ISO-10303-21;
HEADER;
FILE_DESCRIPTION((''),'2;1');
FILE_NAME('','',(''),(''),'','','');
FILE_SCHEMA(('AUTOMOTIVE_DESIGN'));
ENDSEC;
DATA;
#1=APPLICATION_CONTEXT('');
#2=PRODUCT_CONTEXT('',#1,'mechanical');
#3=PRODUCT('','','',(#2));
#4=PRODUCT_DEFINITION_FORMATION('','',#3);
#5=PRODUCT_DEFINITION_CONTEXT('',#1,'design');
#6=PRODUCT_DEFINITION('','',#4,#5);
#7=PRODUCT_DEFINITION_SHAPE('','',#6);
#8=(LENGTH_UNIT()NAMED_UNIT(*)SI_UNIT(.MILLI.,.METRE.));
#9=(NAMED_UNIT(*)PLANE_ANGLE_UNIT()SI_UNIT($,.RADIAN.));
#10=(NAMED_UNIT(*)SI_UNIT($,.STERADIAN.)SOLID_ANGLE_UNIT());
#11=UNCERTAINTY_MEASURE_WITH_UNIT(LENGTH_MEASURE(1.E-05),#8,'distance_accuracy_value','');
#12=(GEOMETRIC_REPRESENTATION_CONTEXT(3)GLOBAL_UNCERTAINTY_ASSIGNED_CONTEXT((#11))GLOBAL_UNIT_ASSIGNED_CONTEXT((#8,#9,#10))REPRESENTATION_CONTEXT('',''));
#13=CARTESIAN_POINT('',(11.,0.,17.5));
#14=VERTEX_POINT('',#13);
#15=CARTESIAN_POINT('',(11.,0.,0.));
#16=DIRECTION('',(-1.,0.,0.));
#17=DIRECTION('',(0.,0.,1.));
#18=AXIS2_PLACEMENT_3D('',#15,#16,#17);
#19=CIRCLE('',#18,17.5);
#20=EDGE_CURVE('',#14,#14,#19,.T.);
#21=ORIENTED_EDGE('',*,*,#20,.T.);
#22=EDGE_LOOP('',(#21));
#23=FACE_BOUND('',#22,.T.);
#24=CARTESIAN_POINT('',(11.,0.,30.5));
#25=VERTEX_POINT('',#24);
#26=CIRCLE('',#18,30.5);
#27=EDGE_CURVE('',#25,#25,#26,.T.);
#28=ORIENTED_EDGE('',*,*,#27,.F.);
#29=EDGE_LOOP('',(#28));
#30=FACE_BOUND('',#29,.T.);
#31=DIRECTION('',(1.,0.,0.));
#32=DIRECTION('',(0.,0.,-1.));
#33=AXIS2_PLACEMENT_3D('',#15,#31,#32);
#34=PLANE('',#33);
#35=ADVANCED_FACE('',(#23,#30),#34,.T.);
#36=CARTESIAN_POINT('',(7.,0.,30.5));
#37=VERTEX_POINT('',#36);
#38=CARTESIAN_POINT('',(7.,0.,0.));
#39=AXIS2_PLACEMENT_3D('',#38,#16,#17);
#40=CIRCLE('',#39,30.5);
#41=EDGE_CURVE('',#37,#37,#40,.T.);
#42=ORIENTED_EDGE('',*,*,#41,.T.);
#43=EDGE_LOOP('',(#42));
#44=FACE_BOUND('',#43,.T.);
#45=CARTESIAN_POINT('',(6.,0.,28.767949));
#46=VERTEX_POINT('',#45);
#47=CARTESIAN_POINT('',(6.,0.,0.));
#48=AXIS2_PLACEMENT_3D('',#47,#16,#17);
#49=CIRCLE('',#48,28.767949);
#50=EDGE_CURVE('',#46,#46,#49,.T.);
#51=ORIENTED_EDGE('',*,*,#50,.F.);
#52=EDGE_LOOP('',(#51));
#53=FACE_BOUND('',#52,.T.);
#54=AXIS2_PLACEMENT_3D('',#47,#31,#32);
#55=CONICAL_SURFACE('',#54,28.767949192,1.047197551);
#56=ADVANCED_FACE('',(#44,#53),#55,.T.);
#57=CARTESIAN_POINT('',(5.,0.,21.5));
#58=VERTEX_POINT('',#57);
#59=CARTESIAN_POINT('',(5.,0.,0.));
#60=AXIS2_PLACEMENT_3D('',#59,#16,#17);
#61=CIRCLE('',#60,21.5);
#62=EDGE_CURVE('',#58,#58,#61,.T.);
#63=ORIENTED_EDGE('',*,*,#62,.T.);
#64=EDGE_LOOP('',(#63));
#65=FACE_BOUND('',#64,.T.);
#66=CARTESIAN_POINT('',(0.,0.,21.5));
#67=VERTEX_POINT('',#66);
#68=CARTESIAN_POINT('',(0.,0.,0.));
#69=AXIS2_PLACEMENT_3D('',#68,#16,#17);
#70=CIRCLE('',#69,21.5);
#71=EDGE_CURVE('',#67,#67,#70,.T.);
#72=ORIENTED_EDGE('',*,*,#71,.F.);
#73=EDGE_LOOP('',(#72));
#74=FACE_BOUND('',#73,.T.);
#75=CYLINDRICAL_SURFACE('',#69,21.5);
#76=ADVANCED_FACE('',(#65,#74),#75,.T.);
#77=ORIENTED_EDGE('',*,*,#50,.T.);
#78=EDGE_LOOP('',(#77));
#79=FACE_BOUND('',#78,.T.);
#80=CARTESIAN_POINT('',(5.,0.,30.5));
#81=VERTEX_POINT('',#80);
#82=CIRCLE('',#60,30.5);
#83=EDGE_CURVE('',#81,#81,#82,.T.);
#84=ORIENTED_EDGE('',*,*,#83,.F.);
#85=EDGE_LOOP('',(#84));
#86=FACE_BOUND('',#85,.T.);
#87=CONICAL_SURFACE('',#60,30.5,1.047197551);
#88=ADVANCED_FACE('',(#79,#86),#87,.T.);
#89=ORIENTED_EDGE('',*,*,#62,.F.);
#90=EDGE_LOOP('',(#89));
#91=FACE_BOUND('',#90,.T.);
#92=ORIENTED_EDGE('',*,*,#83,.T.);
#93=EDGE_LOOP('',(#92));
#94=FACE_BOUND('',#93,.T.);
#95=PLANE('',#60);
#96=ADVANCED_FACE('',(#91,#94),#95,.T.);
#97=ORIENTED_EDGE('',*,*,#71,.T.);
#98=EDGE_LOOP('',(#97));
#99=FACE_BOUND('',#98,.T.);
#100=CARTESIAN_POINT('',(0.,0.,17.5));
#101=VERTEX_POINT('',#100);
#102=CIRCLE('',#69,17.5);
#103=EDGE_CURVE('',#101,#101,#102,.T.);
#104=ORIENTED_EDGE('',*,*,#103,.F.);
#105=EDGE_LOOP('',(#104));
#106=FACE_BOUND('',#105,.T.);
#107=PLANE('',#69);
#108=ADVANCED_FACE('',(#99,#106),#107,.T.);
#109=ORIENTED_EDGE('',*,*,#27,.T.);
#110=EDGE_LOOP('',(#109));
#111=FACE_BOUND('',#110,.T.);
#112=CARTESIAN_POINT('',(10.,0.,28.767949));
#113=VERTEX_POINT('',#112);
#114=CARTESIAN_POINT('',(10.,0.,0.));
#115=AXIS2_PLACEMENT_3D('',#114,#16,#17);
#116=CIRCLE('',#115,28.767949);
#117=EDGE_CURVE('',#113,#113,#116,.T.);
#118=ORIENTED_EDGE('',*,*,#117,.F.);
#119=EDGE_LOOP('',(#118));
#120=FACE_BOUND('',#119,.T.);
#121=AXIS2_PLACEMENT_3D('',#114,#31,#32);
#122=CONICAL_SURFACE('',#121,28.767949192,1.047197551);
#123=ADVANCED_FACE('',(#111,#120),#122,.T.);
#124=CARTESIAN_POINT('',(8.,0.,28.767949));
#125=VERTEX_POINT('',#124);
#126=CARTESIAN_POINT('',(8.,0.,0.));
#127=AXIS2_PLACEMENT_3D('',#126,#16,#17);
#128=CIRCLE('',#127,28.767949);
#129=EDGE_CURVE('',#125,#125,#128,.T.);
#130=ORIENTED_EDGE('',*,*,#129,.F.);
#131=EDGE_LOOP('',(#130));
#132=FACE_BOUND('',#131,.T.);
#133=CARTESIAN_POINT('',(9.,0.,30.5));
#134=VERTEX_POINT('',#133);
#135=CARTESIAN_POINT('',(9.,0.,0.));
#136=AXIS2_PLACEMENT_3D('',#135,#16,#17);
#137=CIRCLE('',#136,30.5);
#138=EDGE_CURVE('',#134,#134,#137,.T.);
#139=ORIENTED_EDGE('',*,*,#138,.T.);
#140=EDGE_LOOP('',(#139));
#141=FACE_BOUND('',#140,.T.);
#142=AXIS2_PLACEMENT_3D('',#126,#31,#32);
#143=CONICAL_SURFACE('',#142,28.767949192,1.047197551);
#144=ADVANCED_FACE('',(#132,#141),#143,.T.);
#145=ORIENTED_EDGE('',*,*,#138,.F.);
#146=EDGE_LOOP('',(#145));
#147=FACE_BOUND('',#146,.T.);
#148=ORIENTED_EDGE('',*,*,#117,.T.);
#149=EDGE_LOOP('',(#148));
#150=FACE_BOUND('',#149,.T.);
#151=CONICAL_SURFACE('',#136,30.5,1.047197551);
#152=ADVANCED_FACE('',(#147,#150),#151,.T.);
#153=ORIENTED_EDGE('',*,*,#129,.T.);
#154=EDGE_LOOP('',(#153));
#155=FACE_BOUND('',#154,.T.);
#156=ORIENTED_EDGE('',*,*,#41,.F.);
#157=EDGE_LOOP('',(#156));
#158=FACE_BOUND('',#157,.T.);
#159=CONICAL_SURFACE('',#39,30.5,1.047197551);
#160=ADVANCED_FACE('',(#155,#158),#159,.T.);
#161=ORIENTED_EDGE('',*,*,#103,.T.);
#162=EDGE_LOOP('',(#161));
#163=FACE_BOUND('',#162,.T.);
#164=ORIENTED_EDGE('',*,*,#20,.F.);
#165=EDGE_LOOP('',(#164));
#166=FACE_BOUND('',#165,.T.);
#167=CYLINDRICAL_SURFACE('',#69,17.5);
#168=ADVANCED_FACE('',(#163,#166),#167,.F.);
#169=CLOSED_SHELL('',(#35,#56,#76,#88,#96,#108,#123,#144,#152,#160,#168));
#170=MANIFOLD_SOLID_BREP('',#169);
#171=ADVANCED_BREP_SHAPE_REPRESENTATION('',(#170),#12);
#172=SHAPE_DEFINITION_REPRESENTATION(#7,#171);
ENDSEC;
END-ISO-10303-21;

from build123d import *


with BuildPart() as part:
    # 草图1 → 旋转1 (revolve)
    with BuildSketch(Plane.XY, mode=Mode.PRIVATE) as revolve_1_sk:
        Polygon((0, 17.5), (11, 17.5), (11, 30.5), (10, 28.767949192), (9, 30.5), (8, 28.767949192), (7, 30.5), (6, 28.767949192), (5, 30.5), (5, 21.5), (0, 21.5), align=None)
    revolve(revolve_1_sk.sketch.rotate(Axis((0, 0, 0), (1, 0, 0)), 90), axis=Axis((0, 0, 0), (1, 0, 0)))


solid = part.part
